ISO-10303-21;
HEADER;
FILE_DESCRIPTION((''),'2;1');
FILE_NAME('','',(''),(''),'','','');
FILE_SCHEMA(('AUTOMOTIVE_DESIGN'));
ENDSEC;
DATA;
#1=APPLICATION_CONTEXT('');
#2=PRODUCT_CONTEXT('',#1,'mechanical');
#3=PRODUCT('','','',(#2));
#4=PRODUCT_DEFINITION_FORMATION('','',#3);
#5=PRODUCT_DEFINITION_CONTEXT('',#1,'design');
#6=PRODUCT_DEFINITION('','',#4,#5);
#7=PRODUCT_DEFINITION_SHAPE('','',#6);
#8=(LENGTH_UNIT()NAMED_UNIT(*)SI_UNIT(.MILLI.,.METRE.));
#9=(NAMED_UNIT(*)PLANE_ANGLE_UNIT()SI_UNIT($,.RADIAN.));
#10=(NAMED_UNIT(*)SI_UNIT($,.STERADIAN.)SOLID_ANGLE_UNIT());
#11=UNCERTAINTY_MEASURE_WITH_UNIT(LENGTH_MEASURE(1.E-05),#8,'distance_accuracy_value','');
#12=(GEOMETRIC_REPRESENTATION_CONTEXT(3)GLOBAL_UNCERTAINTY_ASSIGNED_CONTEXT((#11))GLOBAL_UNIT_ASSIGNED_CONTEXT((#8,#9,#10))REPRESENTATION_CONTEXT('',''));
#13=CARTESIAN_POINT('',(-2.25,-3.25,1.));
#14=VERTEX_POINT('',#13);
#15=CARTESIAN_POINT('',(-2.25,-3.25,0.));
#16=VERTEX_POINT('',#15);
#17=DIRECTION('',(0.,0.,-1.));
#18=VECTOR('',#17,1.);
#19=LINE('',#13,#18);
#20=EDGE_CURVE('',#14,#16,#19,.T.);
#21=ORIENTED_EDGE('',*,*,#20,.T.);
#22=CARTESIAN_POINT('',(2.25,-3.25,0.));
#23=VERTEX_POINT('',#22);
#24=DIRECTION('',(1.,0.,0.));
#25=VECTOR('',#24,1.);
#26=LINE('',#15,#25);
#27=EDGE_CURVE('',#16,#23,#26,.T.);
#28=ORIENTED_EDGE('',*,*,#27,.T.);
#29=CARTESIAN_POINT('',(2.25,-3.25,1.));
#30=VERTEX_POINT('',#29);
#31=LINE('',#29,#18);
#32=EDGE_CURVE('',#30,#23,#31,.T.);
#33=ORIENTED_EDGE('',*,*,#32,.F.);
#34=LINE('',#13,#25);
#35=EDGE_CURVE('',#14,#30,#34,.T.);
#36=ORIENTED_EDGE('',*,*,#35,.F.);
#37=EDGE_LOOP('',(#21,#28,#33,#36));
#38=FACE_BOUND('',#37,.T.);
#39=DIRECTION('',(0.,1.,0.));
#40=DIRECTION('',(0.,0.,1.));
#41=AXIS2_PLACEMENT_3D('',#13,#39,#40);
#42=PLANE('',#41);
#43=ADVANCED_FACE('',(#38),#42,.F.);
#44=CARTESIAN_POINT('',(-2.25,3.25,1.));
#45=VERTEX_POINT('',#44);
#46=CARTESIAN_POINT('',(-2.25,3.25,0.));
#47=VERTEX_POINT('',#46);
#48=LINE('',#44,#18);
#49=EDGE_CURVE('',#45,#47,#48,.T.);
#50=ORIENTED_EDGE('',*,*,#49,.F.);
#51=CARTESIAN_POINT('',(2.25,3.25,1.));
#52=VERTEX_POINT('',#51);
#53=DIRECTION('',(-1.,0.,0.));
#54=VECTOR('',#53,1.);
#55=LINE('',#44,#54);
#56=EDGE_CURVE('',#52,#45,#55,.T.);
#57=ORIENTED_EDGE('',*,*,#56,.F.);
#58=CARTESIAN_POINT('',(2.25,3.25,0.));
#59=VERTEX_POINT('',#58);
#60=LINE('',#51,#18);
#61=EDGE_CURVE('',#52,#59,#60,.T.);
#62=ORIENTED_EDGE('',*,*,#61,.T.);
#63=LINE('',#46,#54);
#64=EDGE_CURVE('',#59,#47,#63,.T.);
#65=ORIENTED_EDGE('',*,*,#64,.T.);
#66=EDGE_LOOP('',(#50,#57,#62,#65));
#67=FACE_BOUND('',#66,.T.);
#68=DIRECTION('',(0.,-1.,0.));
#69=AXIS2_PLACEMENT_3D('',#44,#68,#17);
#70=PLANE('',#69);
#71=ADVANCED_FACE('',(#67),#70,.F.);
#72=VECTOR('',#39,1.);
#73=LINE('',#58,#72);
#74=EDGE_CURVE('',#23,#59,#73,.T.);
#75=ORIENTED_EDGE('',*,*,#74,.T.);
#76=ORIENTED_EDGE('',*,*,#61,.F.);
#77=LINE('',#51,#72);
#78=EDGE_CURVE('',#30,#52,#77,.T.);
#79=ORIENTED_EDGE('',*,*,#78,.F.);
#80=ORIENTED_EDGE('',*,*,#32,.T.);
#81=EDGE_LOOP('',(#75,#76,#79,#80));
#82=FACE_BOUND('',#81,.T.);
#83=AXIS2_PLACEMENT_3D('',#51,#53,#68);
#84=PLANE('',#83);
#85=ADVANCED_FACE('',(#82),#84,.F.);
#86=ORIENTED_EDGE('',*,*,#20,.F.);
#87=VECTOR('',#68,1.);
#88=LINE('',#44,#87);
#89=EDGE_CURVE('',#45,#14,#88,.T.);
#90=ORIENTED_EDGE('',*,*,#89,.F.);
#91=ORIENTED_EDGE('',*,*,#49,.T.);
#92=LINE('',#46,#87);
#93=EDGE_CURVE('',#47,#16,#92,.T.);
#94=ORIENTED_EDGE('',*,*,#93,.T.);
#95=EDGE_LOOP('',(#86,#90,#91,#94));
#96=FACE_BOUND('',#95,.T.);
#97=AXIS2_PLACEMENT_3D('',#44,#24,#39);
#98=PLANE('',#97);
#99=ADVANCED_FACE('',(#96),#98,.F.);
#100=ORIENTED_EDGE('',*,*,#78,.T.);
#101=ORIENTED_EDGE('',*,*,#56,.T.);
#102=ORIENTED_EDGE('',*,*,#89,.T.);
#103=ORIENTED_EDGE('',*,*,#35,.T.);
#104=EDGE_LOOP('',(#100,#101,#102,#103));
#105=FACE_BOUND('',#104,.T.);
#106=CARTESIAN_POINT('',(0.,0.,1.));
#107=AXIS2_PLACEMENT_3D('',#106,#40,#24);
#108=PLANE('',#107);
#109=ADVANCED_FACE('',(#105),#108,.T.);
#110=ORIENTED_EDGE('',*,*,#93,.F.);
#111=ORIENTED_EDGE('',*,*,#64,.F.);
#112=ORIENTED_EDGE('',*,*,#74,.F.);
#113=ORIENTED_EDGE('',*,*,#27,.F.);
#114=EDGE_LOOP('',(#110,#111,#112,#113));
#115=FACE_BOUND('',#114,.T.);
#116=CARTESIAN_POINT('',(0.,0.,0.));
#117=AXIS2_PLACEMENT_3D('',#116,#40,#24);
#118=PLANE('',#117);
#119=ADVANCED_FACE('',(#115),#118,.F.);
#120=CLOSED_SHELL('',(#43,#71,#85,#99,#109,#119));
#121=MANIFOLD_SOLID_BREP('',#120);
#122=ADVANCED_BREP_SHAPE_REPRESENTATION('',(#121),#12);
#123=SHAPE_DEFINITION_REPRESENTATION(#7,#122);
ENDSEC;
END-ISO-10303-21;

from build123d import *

# Parameters (mm, degrees)
ESQUISSE1_W        = 4.5
ESQUISSE1_H        = 6.5
BOSS_EXTRU_1_DEPTH = 1


with BuildPart() as part:
    # Esquisse1 → Boss.-Extru.1 (new body)
    with BuildSketch(Plane.XY):
        Rectangle(ESQUISSE1_W, ESQUISSE1_H)
    extrude(amount=BOSS_EXTRU_1_DEPTH)


solid = part.part
